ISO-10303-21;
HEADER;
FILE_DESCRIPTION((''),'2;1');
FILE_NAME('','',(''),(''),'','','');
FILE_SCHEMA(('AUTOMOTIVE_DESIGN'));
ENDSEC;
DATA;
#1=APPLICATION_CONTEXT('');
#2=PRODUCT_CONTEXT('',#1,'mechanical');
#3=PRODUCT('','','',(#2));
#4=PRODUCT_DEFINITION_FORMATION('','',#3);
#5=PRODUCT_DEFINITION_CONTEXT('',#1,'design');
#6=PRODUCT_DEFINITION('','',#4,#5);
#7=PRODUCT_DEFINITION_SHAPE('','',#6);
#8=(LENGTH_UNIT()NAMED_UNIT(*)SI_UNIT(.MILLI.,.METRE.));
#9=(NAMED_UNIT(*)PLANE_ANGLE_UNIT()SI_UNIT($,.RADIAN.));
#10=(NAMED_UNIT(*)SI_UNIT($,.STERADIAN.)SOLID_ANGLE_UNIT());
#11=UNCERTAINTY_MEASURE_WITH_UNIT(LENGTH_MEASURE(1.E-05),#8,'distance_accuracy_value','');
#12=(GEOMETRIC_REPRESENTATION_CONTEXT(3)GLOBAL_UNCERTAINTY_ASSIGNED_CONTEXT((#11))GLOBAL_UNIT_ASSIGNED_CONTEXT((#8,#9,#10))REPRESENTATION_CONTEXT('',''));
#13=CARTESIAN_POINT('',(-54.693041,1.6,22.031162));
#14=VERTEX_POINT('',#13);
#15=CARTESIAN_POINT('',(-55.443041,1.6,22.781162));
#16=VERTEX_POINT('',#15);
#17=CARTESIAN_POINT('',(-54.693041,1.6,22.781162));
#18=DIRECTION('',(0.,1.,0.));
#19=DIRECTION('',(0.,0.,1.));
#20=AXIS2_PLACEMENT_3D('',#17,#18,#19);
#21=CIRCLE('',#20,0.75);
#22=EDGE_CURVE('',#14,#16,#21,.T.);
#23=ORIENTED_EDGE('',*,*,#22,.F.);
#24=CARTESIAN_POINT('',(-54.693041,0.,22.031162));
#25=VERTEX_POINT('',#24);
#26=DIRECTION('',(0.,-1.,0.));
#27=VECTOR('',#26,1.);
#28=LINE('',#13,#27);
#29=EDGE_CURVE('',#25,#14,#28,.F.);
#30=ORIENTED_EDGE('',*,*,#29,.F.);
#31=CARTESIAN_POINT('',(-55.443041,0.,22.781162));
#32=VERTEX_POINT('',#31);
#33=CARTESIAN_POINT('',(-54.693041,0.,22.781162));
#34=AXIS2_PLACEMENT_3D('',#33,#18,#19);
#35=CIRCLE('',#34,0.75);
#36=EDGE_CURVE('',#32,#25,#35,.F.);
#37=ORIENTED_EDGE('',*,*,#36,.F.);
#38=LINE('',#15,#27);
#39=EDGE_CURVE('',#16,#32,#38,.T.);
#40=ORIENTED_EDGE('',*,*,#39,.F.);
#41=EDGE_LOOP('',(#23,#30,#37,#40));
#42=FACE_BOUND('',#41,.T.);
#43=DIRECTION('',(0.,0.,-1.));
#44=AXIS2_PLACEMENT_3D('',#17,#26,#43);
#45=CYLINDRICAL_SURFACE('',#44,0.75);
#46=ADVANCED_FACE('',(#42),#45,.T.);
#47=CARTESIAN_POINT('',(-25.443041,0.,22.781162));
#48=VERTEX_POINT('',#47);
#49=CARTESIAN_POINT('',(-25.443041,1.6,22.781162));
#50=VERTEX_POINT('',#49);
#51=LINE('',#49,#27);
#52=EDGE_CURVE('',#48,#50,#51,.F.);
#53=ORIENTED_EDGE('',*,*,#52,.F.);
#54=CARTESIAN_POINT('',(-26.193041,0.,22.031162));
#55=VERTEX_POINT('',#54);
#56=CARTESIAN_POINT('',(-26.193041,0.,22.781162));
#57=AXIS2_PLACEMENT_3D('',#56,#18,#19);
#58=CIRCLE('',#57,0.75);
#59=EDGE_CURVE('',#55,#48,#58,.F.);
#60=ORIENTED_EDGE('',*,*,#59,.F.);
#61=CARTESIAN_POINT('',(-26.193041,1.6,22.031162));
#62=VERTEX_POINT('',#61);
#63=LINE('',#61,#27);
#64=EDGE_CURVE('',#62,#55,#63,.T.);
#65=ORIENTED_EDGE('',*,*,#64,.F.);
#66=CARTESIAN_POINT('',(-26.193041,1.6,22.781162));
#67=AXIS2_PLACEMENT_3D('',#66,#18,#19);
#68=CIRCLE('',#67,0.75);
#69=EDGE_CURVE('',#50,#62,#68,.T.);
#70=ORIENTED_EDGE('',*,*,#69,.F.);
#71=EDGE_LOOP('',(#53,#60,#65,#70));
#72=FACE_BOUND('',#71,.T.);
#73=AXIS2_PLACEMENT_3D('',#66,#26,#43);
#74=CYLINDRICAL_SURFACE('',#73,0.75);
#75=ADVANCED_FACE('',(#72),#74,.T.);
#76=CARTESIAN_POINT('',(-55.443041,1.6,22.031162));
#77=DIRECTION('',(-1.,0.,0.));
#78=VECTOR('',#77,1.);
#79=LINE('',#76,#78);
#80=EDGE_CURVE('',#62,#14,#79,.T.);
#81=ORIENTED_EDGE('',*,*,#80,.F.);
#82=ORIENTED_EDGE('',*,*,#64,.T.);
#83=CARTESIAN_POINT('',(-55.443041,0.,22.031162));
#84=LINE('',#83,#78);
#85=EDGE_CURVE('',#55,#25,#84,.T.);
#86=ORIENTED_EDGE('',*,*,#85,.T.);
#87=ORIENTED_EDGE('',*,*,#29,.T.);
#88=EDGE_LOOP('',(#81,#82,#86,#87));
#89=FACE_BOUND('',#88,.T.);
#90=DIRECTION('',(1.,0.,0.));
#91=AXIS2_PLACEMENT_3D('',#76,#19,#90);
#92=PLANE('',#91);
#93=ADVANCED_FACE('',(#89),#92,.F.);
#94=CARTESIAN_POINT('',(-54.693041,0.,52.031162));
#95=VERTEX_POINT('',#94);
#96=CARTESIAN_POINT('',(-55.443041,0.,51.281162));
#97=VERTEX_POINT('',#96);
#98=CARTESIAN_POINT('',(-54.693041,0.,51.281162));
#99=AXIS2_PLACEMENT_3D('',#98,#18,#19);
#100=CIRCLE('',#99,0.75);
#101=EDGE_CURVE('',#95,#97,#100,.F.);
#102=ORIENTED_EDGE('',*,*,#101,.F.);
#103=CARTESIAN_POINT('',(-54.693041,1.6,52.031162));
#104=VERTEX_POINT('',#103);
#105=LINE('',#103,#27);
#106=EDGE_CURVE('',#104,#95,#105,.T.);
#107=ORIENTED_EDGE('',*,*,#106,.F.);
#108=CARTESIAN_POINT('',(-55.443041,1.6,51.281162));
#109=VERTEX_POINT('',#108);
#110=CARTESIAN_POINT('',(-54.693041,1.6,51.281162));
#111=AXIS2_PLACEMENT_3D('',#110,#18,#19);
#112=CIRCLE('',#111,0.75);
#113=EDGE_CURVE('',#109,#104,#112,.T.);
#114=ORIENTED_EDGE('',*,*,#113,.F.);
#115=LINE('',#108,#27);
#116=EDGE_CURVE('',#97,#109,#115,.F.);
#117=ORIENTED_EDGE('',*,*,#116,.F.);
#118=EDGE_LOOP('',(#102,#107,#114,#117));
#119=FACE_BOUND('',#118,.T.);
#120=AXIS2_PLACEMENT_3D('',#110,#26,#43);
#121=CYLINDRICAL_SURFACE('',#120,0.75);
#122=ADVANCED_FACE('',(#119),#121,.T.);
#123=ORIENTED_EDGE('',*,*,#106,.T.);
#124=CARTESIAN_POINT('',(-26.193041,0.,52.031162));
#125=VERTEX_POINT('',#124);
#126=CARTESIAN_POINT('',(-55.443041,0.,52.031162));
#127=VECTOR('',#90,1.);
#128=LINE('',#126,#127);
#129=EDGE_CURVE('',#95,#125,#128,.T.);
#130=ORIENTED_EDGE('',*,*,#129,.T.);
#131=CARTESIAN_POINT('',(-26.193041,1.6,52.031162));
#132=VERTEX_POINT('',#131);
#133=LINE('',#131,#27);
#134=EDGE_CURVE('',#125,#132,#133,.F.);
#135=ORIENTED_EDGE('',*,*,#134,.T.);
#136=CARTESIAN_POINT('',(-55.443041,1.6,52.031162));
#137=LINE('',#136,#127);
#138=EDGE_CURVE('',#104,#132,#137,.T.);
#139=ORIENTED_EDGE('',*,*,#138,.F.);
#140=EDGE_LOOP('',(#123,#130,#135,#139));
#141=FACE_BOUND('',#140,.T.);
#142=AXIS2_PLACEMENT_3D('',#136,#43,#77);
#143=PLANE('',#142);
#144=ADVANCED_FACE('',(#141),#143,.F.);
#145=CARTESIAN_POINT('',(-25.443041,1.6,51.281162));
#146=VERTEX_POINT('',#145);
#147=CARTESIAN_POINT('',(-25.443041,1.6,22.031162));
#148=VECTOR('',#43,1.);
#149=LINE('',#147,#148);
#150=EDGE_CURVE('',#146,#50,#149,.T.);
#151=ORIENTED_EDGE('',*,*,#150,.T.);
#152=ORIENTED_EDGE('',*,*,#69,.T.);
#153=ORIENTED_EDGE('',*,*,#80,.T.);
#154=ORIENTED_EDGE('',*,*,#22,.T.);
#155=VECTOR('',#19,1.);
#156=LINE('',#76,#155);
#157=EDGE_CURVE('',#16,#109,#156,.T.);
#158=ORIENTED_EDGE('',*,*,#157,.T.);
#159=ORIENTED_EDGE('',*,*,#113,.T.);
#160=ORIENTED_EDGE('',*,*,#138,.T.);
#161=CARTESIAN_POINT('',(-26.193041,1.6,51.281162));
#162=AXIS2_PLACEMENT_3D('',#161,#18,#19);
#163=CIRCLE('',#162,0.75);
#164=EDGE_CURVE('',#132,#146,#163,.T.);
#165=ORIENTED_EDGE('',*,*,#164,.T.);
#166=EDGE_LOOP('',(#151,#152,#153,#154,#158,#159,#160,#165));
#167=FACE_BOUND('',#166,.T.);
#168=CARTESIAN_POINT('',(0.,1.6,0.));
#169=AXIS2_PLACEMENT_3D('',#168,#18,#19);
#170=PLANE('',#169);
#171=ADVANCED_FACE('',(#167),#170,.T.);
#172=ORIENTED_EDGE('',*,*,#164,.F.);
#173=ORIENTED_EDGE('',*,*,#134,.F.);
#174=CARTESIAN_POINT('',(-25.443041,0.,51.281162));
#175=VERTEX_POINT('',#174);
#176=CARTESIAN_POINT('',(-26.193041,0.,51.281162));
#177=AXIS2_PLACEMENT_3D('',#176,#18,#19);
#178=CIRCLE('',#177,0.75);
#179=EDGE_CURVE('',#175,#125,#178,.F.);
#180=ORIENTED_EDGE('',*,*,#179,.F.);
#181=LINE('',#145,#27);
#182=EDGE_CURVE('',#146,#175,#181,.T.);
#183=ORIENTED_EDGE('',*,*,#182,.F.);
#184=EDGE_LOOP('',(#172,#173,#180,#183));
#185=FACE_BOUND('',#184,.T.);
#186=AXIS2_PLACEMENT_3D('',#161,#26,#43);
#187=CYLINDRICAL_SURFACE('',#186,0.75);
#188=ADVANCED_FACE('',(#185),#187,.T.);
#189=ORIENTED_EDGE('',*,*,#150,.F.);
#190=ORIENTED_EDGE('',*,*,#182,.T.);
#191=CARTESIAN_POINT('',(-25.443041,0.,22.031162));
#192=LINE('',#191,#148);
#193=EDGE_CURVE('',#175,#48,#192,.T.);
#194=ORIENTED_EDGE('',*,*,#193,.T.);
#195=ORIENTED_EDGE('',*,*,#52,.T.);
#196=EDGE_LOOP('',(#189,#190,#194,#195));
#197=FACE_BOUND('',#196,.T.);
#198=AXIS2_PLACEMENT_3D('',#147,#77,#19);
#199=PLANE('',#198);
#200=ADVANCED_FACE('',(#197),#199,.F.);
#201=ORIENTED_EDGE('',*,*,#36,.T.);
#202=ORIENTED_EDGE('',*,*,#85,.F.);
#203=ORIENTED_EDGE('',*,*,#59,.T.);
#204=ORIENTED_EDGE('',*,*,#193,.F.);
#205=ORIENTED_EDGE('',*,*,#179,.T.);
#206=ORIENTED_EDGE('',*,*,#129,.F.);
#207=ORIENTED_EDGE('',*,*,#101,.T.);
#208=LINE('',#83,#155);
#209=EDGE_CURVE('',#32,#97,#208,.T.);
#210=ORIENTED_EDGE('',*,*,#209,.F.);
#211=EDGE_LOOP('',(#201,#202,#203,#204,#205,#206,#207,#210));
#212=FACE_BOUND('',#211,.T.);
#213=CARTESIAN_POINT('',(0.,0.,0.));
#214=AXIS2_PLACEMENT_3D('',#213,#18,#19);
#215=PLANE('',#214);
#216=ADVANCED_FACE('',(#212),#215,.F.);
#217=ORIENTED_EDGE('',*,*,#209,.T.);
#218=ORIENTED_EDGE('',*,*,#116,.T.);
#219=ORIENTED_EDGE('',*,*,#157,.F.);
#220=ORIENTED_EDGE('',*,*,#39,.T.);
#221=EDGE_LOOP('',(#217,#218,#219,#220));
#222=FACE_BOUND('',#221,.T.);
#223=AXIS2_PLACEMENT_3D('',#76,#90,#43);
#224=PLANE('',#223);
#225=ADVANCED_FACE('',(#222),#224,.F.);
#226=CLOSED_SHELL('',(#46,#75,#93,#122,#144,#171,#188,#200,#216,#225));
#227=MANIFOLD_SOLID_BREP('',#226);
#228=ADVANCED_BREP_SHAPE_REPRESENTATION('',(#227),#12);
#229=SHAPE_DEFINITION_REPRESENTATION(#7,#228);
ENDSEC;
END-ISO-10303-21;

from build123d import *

# Parameters (mm, degrees)
SCHIZZO1_W                   = 30
SCHIZZO1_H                   = 30
ESTRUSIONE_ESTRUSIONE1_DEPTH = 1.6
RACCORDO1_R                  = 0.75


with BuildPart() as part:
    # Schizzo1 → Estrusione-Estrusione1 (new body)
    with BuildSketch(Plane(origin=(0, 0, 0), x_dir=(1, 0, 0), z_dir=(0, 1, 0))):
        with Locations((-40.4430411, -37.031161648)):
            Rectangle(SCHIZZO1_W, SCHIZZO1_H)
    extrude(amount=ESTRUSIONE_ESTRUSIONE1_DEPTH)

    # Raccordo1
    raccordo1_edges = [part.edges().sort_by_distance(p)[0] for p in [
        (-55.4430411, 0.8, 22.031161648),
        (-25.4430411, 0.8, 22.031161648),
        (-25.4430411, 0.8, 52.031161648),
        (-55.4430411, 0.8, 52.031161648),
    ]]
    fillet(raccordo1_edges, radius=RACCORDO1_R)


solid = part.part
